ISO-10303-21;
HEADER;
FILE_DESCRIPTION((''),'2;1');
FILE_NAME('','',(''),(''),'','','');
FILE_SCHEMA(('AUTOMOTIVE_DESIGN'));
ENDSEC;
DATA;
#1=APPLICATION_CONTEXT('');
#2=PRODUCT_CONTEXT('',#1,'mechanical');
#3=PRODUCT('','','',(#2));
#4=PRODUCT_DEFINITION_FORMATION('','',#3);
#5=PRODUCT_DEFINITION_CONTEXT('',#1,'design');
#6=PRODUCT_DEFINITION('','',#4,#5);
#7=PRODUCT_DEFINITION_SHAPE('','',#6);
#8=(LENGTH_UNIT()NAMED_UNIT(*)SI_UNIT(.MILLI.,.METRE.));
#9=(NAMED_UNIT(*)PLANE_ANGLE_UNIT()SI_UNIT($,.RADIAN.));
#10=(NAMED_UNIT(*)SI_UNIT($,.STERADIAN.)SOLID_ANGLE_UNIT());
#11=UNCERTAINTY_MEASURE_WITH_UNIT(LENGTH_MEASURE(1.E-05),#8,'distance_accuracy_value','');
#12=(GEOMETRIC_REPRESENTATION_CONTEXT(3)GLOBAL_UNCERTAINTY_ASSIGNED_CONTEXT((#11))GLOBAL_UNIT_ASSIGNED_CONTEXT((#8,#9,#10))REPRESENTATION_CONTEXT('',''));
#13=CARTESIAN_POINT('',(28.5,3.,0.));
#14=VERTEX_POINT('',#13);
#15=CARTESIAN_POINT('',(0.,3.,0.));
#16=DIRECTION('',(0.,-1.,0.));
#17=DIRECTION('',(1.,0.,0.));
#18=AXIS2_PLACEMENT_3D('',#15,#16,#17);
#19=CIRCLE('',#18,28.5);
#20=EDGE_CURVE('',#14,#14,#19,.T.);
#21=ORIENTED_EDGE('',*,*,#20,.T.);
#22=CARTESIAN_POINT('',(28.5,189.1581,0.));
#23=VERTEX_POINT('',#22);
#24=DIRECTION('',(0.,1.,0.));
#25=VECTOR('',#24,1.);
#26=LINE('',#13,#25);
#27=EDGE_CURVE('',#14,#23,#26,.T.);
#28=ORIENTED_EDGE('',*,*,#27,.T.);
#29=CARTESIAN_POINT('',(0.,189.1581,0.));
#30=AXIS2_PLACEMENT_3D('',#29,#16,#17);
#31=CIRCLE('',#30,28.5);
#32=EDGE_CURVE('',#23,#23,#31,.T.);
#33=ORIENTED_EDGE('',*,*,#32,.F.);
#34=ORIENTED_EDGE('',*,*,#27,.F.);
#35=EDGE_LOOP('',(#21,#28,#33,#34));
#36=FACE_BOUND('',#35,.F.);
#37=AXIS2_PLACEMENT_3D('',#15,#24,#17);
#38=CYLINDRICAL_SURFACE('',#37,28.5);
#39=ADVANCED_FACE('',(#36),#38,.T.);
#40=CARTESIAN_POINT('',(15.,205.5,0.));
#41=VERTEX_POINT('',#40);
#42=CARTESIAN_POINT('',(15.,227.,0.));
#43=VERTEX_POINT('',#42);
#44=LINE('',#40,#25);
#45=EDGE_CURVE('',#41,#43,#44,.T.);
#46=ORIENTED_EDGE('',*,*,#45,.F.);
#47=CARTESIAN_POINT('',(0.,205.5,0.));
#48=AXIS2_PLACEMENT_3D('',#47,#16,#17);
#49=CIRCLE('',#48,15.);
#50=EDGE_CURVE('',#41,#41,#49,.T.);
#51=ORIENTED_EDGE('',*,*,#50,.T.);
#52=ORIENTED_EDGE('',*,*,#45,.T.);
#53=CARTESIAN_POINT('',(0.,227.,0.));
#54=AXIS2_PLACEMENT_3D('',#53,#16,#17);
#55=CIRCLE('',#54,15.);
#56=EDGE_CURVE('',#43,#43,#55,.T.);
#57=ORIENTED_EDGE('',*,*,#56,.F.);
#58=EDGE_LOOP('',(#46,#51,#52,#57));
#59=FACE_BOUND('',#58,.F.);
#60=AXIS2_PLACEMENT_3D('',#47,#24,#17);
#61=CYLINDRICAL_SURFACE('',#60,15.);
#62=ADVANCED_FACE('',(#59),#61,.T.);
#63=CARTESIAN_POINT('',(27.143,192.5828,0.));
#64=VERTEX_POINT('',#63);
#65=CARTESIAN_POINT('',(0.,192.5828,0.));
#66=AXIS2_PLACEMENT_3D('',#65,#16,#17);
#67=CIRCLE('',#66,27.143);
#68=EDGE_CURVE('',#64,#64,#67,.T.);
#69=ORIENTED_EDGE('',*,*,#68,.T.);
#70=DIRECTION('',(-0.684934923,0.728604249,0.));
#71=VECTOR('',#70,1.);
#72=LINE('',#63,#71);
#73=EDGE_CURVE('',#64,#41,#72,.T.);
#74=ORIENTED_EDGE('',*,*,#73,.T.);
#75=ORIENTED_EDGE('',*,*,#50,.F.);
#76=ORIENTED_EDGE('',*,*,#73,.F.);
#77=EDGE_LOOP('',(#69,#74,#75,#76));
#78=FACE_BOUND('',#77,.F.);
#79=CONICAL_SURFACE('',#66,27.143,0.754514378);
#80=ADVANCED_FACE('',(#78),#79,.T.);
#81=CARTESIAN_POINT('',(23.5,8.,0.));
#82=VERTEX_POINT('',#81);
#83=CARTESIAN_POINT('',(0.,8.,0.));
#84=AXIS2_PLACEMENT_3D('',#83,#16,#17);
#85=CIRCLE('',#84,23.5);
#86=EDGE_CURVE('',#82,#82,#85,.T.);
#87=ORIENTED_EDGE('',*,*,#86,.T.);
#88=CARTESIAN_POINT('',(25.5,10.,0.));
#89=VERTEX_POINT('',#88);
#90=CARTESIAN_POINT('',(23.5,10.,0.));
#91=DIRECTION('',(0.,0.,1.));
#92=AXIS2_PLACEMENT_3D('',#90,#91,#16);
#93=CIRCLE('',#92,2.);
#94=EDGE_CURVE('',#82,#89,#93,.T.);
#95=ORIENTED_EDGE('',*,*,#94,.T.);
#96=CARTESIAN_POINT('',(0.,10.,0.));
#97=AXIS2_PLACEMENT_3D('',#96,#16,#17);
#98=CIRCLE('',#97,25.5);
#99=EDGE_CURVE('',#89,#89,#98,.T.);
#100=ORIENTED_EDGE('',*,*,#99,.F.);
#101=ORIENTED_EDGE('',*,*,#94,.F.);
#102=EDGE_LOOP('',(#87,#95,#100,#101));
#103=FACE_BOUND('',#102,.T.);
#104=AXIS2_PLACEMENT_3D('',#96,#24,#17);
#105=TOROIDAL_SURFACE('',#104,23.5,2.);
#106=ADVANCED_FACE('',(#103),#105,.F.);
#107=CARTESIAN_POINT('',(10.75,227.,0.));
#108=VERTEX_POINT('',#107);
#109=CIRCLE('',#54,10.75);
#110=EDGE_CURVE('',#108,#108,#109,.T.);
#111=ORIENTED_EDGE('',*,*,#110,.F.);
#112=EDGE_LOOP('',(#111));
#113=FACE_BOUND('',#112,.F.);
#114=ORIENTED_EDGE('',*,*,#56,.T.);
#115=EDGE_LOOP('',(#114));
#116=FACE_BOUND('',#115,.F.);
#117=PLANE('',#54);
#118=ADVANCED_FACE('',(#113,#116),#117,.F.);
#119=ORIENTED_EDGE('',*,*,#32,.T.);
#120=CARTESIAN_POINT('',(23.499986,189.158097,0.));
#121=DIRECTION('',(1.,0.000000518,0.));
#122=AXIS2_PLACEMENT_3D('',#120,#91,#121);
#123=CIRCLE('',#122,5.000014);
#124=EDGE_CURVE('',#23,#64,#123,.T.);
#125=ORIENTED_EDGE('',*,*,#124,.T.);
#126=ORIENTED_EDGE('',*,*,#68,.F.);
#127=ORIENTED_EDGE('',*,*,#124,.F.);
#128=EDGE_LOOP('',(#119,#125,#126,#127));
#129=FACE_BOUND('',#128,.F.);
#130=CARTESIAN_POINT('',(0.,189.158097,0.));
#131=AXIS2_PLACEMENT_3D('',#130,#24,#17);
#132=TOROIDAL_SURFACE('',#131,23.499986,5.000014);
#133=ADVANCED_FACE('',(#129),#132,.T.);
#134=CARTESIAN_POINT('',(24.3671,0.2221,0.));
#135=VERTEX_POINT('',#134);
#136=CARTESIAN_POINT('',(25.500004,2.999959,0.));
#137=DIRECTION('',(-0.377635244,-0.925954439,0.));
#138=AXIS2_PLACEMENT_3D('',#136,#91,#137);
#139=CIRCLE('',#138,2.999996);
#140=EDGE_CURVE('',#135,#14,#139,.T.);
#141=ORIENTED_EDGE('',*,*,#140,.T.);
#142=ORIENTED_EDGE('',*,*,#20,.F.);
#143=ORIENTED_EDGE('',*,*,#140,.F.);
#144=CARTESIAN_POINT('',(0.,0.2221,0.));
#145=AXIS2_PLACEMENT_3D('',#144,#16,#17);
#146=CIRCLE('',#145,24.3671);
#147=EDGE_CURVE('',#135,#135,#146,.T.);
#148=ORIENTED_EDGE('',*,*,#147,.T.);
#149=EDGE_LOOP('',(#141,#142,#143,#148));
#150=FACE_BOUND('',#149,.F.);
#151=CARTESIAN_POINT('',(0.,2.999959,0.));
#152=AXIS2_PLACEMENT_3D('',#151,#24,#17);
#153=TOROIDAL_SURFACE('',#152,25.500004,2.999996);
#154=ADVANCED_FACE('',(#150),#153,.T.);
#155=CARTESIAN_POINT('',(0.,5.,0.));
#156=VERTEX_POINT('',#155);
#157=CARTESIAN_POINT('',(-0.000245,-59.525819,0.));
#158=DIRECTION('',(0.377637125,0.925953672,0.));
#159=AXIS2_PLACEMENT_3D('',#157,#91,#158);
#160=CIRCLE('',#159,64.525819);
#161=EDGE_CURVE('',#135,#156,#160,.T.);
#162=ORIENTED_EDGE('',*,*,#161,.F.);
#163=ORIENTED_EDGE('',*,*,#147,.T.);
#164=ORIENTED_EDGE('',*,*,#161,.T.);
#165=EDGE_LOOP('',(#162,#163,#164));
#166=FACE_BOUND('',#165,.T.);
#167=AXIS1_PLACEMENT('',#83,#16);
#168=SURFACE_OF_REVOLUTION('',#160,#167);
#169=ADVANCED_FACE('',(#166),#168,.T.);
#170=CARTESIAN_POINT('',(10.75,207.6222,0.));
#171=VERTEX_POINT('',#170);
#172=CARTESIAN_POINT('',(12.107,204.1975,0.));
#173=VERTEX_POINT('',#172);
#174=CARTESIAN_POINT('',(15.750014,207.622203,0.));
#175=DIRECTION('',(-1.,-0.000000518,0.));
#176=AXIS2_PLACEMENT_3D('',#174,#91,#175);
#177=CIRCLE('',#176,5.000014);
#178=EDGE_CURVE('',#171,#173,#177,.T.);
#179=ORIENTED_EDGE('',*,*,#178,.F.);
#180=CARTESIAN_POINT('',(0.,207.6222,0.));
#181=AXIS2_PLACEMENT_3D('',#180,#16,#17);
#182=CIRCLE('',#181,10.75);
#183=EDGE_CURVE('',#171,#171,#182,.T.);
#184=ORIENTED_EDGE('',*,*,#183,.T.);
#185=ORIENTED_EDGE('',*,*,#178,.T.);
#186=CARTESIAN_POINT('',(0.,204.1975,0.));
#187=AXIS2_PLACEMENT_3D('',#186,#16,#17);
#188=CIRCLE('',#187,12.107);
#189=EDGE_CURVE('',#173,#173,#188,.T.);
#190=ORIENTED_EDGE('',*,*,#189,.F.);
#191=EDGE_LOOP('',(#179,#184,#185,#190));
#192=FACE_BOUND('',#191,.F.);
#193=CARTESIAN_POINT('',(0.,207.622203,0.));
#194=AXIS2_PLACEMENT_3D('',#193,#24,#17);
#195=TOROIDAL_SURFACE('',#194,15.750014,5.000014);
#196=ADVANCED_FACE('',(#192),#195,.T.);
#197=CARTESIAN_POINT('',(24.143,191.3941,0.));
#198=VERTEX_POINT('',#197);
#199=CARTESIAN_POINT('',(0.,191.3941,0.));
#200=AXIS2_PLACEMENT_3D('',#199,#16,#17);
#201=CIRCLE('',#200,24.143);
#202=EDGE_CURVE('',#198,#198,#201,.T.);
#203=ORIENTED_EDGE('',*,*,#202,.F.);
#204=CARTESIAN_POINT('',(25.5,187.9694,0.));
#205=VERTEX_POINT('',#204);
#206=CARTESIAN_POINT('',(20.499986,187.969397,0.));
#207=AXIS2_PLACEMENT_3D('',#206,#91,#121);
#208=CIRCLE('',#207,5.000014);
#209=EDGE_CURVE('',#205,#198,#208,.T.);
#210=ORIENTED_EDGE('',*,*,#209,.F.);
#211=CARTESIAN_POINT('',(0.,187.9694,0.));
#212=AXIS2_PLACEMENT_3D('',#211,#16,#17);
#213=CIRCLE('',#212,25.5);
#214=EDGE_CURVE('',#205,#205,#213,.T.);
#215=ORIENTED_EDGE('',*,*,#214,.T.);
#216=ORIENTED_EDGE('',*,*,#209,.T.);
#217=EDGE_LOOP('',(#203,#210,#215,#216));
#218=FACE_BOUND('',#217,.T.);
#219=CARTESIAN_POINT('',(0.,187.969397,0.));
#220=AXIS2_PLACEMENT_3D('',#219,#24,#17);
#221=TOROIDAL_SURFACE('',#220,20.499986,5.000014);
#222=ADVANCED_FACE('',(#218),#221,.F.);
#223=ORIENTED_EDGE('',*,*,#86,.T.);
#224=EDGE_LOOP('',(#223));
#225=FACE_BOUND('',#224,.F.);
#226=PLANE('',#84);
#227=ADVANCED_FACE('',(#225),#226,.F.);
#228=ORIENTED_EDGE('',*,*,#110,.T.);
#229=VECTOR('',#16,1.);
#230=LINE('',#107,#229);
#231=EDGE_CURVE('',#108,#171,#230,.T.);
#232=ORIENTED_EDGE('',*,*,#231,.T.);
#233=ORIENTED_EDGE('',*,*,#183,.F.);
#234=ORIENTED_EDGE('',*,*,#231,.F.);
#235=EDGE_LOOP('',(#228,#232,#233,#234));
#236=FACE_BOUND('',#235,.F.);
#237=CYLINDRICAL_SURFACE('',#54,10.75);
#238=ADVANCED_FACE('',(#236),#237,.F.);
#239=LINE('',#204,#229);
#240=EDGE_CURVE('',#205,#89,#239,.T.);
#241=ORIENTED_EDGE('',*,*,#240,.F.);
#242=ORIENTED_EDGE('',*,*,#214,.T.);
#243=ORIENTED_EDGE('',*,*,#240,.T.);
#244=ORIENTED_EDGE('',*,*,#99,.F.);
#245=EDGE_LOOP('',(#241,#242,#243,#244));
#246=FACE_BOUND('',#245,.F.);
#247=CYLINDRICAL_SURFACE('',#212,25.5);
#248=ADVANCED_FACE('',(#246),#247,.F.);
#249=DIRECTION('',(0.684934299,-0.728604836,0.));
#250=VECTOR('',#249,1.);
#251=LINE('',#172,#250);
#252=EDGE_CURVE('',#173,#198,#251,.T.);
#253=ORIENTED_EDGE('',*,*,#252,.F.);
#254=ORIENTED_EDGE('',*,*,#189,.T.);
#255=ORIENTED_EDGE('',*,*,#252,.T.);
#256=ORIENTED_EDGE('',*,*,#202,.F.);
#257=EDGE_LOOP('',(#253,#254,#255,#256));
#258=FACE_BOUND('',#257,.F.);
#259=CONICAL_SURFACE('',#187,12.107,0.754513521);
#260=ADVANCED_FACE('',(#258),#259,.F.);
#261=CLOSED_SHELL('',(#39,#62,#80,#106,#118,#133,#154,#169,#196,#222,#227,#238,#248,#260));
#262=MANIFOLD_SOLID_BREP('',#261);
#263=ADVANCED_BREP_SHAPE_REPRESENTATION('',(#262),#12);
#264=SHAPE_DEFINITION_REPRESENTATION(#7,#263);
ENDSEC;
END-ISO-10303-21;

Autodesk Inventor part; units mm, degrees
ref_plane "YZ Plane" through (0, 0, 0) normal (1, 0, 0) x (0, 1, 0)
ref_plane "XZ Plane" through (0, 0, 0) normal (0, 1, 0) x (-1, 0, 0)
ref_plane "XY Plane" through (0, 0, 0) normal (0, 0, 1) x (1, 0, 0)
sketch "Esquisse1" plane through (0, 0, 0) normal (0, 0, 1) x (1, 0, 0)
  line L0 (0, 8) -> (0, 5)
  arc A0 (24.3671, 0.2221) -> (0, 5) centre (0, -59.525) ccw
  arc A1 (24.3671, 0.2221) -> (28.5, 3) centre (25.5, 3) ccw
  line L1 (28.5, 3) -> (28.5, 189.1581)
  arc A2 (28.5, 189.1581) -> (27.143, 192.5828) centre (23.5, 189.1581) ccw
  line L2 (27.143, 192.5828) -> (15, 205.5)
  line L3 (15, 205.5) -> (15, 227)
  line L4 (15, 227) -> (10.75, 227)
  line L5 (10.75, 227) -> (10.75, 207.6222)
  arc A3 (10.75, 207.6222) -> (12.107, 204.1975) centre (15.75, 207.6222) ccw
  line L6 (12.107, 204.1975) -> (24.143, 191.3941)
  arc A4 (25.5, 187.9694) -> (24.143, 191.3941) centre (20.5, 187.9694) ccw
  line L7 (25.5, 187.9694) -> (25.5, 10)
  arc A5 (23.5, 8) -> (25.5, 10) centre (23.5, 10) ccw
  line L8 (23.5, 8) -> (0, 8)
  line L9 (0, 0) -> (25.5, 0) construction
  point P0 (28.1484, 191)
  dimension "d0" = 57
  dimension "d1" = 30
  dimension "d2" = 21.5
  dimension "d3" = 21.5
  dimension "d4" = 3
  dimension "d5" = 3
  dimension "d6" = 14.5
  dimension "d7" = 5
  dimension "d8" = 3
  dimension "d9" = 3
  dimension "d10" = 2
  dimension "d11" = 227
  dimension "d12" = 5
revolve "Révolution1" add sketch "Esquisse1" angle 360 about axis through (0, 8, 0) along (0, -1, 0)
equation "\"d5\" = d4"
properties part number "Bouteille" material "Verre"
